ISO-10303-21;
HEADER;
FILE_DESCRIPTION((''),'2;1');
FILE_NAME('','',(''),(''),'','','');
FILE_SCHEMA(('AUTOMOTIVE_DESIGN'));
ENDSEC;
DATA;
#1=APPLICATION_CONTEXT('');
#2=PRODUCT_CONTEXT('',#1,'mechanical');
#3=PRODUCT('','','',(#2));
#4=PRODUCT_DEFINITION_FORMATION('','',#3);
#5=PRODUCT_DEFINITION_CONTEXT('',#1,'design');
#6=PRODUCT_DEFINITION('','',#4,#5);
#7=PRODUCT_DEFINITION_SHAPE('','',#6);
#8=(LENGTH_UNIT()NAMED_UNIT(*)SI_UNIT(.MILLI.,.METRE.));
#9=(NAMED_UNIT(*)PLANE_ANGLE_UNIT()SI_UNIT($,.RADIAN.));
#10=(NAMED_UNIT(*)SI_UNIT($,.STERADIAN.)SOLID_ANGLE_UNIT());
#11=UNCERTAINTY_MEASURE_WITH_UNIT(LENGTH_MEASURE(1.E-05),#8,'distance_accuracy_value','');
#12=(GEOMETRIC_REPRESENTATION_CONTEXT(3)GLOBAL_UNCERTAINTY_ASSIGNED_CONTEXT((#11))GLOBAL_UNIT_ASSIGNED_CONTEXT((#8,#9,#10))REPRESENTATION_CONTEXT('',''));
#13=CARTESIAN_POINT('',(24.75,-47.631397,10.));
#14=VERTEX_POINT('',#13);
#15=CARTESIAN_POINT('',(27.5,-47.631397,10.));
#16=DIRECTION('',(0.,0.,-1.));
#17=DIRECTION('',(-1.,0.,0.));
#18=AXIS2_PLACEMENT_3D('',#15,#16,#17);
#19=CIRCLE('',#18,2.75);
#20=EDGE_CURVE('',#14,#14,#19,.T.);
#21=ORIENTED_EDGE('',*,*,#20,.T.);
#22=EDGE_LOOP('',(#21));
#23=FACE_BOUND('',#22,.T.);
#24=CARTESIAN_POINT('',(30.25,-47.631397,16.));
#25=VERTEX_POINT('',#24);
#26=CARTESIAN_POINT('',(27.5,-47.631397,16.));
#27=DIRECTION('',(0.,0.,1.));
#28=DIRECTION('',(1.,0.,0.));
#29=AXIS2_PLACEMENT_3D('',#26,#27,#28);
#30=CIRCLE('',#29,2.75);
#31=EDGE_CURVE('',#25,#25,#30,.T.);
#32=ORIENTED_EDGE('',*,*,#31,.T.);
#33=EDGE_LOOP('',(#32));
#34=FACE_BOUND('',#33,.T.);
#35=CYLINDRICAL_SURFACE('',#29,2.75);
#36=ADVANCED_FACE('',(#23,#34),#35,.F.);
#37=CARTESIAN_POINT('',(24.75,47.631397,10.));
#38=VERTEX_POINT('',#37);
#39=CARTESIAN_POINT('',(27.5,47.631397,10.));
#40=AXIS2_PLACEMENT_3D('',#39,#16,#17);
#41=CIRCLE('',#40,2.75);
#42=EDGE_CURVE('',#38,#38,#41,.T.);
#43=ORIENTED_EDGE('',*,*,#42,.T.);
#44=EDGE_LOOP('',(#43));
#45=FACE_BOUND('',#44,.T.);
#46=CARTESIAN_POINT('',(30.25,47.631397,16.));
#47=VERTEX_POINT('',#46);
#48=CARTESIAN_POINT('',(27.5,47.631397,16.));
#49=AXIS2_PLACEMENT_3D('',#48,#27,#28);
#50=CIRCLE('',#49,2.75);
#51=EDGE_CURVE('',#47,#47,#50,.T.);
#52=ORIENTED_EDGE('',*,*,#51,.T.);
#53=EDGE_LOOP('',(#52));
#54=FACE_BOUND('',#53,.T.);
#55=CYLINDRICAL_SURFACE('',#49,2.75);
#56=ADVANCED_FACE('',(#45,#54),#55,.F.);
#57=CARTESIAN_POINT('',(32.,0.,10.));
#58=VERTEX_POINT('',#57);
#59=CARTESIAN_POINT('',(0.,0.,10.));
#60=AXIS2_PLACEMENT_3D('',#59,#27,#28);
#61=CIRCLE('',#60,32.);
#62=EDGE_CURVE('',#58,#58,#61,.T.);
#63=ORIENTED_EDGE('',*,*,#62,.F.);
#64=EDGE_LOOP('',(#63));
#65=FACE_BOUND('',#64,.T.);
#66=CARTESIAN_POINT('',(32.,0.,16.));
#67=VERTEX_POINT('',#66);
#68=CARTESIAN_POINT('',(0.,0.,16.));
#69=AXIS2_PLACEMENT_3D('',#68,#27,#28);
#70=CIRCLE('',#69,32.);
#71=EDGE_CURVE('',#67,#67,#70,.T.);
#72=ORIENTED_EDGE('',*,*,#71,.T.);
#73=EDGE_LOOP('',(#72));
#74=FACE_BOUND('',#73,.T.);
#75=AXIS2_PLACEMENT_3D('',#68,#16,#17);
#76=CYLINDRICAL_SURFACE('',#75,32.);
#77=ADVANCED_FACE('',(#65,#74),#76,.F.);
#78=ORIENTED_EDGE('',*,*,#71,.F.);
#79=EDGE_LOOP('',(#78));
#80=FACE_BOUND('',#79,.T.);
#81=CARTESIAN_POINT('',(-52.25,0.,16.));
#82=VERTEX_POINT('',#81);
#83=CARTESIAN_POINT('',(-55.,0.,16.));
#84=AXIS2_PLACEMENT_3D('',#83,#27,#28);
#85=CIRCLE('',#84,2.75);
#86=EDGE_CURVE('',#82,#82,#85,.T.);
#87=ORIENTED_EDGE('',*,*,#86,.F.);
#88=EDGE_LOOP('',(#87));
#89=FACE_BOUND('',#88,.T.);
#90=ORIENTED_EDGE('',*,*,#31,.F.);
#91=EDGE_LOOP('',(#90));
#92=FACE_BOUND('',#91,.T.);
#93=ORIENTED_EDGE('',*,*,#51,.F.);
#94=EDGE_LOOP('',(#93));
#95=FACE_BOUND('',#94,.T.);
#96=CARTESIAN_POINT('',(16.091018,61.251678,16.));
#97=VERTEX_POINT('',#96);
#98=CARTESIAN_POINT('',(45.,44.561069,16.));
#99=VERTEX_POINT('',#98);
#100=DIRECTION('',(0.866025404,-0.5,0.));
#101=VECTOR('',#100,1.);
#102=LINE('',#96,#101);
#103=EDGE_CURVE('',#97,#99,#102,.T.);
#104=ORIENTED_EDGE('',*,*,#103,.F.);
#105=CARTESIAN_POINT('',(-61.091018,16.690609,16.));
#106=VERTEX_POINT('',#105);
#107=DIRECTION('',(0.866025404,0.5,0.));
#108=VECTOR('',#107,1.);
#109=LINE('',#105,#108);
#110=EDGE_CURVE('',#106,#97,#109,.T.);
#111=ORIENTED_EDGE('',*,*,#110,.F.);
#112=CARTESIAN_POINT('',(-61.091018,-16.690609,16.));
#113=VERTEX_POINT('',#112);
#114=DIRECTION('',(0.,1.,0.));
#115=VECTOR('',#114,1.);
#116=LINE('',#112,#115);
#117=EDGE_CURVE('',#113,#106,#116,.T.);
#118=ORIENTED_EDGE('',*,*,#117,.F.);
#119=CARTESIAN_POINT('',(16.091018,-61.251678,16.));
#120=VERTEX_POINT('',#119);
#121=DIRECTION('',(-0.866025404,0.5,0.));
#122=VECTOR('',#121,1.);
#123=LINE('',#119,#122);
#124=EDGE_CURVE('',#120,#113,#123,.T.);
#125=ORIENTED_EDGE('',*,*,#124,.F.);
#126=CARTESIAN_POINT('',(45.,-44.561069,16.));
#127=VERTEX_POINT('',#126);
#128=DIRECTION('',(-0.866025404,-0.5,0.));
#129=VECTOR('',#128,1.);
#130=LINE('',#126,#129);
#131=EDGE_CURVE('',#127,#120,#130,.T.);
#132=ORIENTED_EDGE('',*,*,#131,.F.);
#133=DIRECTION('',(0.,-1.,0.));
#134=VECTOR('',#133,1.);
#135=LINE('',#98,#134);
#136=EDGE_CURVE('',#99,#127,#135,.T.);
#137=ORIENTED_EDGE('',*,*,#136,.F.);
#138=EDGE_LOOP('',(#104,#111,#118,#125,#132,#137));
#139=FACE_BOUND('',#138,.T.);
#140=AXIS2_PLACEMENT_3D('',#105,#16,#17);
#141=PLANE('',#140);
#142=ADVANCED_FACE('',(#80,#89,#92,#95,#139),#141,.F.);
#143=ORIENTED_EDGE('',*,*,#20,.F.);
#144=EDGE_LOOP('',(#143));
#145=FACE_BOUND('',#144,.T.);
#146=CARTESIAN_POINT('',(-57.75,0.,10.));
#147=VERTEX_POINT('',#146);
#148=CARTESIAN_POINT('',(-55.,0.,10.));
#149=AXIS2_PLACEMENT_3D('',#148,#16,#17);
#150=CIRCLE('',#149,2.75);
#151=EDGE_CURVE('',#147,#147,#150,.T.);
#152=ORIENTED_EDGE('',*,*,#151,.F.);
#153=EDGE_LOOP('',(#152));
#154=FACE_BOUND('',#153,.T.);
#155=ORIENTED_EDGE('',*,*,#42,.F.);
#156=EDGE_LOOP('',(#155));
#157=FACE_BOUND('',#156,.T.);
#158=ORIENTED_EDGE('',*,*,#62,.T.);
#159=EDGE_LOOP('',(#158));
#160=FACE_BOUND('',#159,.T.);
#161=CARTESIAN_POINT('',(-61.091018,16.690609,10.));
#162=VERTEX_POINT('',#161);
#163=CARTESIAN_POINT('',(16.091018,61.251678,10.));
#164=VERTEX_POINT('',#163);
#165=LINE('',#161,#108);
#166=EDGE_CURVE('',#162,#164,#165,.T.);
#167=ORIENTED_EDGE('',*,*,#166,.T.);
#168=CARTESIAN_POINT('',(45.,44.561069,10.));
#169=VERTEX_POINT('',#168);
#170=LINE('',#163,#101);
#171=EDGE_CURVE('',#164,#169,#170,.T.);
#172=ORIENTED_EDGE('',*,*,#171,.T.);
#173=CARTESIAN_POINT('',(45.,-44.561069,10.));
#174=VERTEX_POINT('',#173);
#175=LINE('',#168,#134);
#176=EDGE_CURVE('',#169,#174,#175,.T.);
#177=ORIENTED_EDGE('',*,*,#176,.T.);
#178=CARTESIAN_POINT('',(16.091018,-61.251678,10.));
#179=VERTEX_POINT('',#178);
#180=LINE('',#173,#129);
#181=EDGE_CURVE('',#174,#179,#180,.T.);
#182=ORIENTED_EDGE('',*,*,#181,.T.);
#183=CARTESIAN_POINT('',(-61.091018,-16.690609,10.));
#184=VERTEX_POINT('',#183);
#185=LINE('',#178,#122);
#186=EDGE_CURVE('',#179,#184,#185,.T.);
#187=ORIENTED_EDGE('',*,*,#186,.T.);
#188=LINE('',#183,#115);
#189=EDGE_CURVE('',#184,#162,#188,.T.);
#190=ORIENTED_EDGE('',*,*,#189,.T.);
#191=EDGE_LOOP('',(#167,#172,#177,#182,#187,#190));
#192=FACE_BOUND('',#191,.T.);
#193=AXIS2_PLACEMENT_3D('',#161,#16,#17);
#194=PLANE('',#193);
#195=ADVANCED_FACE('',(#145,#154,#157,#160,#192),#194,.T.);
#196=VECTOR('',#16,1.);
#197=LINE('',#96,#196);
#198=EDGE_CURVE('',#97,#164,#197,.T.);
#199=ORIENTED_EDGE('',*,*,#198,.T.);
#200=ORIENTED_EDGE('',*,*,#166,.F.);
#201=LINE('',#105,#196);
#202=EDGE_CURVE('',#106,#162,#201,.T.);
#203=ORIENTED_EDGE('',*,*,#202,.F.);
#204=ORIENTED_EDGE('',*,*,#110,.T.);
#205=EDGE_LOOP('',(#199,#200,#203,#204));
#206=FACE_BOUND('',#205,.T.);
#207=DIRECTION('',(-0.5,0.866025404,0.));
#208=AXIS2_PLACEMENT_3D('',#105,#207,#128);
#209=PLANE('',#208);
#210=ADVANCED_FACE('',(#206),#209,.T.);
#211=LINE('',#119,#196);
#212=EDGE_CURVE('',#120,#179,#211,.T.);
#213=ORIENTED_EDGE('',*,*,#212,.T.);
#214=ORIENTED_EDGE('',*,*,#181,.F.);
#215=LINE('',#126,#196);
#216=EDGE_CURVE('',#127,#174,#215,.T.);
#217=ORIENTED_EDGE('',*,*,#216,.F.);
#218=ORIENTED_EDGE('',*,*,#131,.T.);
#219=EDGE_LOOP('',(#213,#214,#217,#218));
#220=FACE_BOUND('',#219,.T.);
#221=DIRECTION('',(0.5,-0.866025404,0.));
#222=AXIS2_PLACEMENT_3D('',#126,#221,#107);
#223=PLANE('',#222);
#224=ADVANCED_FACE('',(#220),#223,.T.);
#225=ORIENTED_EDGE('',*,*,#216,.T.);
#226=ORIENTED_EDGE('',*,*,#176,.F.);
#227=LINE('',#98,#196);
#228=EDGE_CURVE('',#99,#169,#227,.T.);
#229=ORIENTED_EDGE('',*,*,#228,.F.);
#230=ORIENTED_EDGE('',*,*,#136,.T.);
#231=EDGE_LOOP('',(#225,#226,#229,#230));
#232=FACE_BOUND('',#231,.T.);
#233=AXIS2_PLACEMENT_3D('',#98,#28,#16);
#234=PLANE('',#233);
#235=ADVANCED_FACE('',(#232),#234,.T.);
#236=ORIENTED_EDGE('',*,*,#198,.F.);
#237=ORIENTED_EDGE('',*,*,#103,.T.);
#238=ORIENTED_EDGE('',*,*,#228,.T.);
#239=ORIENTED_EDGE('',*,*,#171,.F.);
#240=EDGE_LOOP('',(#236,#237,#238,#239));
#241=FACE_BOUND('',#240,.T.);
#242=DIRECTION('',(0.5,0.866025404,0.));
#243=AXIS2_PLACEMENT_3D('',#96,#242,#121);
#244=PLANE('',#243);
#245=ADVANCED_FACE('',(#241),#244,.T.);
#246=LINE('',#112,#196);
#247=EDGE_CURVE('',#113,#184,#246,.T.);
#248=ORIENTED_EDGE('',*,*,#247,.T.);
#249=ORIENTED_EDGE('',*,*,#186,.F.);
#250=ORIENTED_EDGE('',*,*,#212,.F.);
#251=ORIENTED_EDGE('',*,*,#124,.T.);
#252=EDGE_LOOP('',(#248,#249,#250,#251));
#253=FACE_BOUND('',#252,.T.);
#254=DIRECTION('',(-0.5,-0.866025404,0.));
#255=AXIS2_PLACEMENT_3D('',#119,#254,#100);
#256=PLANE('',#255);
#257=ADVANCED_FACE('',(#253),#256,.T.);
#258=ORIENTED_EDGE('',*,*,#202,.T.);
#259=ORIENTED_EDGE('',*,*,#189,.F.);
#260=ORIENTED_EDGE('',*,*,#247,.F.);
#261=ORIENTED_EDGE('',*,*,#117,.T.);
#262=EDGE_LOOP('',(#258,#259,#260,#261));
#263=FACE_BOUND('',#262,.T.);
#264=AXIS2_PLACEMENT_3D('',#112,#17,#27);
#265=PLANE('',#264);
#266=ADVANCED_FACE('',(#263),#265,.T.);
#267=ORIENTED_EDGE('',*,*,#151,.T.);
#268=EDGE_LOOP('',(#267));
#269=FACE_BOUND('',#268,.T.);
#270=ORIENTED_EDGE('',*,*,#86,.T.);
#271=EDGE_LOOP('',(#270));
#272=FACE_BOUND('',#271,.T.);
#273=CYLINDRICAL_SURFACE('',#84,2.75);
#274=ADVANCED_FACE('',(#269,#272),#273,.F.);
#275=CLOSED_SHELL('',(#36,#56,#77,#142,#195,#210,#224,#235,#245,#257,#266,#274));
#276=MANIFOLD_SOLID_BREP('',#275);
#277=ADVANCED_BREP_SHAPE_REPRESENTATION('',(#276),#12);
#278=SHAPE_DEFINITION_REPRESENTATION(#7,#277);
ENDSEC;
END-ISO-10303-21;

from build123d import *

# Parameters (mm, degrees)
ESBO_O1_R                = 32
RESSALTO_EXTRUS_O1_DEPTH = 6
FURO_COM_FOLGA_DE_M51_D  = 5.5


with BuildPart() as part:
    # Esboço1 → Ressalto-extrusão1 (new body)
    with BuildSketch(Plane.XY.offset(10)):
        Polygon((16.091018061, 61.251677836), (45, 44.561069332), (45, -44.561069332), (16.091018061, -61.251677836), (-61.091018061, -16.690608504), (-61.091018061, 16.690608504), align=None)
        Circle(ESBO_O1_R, mode=Mode.SUBTRACT)
    extrude(amount=RESSALTO_EXTRUS_O1_DEPTH)

    # Furo com folga de M51 (through all)
    with Locations(Plane(origin=(-55, 0, 16), x_dir=(1, 0, 0), z_dir=(0, 0, 1))):
        with Locations((0, 0), (82.5, 47.631397208), (82.5, -47.631397208)):
            Hole(FURO_COM_FOLGA_DE_M51_D / 2)


solid = part.part
